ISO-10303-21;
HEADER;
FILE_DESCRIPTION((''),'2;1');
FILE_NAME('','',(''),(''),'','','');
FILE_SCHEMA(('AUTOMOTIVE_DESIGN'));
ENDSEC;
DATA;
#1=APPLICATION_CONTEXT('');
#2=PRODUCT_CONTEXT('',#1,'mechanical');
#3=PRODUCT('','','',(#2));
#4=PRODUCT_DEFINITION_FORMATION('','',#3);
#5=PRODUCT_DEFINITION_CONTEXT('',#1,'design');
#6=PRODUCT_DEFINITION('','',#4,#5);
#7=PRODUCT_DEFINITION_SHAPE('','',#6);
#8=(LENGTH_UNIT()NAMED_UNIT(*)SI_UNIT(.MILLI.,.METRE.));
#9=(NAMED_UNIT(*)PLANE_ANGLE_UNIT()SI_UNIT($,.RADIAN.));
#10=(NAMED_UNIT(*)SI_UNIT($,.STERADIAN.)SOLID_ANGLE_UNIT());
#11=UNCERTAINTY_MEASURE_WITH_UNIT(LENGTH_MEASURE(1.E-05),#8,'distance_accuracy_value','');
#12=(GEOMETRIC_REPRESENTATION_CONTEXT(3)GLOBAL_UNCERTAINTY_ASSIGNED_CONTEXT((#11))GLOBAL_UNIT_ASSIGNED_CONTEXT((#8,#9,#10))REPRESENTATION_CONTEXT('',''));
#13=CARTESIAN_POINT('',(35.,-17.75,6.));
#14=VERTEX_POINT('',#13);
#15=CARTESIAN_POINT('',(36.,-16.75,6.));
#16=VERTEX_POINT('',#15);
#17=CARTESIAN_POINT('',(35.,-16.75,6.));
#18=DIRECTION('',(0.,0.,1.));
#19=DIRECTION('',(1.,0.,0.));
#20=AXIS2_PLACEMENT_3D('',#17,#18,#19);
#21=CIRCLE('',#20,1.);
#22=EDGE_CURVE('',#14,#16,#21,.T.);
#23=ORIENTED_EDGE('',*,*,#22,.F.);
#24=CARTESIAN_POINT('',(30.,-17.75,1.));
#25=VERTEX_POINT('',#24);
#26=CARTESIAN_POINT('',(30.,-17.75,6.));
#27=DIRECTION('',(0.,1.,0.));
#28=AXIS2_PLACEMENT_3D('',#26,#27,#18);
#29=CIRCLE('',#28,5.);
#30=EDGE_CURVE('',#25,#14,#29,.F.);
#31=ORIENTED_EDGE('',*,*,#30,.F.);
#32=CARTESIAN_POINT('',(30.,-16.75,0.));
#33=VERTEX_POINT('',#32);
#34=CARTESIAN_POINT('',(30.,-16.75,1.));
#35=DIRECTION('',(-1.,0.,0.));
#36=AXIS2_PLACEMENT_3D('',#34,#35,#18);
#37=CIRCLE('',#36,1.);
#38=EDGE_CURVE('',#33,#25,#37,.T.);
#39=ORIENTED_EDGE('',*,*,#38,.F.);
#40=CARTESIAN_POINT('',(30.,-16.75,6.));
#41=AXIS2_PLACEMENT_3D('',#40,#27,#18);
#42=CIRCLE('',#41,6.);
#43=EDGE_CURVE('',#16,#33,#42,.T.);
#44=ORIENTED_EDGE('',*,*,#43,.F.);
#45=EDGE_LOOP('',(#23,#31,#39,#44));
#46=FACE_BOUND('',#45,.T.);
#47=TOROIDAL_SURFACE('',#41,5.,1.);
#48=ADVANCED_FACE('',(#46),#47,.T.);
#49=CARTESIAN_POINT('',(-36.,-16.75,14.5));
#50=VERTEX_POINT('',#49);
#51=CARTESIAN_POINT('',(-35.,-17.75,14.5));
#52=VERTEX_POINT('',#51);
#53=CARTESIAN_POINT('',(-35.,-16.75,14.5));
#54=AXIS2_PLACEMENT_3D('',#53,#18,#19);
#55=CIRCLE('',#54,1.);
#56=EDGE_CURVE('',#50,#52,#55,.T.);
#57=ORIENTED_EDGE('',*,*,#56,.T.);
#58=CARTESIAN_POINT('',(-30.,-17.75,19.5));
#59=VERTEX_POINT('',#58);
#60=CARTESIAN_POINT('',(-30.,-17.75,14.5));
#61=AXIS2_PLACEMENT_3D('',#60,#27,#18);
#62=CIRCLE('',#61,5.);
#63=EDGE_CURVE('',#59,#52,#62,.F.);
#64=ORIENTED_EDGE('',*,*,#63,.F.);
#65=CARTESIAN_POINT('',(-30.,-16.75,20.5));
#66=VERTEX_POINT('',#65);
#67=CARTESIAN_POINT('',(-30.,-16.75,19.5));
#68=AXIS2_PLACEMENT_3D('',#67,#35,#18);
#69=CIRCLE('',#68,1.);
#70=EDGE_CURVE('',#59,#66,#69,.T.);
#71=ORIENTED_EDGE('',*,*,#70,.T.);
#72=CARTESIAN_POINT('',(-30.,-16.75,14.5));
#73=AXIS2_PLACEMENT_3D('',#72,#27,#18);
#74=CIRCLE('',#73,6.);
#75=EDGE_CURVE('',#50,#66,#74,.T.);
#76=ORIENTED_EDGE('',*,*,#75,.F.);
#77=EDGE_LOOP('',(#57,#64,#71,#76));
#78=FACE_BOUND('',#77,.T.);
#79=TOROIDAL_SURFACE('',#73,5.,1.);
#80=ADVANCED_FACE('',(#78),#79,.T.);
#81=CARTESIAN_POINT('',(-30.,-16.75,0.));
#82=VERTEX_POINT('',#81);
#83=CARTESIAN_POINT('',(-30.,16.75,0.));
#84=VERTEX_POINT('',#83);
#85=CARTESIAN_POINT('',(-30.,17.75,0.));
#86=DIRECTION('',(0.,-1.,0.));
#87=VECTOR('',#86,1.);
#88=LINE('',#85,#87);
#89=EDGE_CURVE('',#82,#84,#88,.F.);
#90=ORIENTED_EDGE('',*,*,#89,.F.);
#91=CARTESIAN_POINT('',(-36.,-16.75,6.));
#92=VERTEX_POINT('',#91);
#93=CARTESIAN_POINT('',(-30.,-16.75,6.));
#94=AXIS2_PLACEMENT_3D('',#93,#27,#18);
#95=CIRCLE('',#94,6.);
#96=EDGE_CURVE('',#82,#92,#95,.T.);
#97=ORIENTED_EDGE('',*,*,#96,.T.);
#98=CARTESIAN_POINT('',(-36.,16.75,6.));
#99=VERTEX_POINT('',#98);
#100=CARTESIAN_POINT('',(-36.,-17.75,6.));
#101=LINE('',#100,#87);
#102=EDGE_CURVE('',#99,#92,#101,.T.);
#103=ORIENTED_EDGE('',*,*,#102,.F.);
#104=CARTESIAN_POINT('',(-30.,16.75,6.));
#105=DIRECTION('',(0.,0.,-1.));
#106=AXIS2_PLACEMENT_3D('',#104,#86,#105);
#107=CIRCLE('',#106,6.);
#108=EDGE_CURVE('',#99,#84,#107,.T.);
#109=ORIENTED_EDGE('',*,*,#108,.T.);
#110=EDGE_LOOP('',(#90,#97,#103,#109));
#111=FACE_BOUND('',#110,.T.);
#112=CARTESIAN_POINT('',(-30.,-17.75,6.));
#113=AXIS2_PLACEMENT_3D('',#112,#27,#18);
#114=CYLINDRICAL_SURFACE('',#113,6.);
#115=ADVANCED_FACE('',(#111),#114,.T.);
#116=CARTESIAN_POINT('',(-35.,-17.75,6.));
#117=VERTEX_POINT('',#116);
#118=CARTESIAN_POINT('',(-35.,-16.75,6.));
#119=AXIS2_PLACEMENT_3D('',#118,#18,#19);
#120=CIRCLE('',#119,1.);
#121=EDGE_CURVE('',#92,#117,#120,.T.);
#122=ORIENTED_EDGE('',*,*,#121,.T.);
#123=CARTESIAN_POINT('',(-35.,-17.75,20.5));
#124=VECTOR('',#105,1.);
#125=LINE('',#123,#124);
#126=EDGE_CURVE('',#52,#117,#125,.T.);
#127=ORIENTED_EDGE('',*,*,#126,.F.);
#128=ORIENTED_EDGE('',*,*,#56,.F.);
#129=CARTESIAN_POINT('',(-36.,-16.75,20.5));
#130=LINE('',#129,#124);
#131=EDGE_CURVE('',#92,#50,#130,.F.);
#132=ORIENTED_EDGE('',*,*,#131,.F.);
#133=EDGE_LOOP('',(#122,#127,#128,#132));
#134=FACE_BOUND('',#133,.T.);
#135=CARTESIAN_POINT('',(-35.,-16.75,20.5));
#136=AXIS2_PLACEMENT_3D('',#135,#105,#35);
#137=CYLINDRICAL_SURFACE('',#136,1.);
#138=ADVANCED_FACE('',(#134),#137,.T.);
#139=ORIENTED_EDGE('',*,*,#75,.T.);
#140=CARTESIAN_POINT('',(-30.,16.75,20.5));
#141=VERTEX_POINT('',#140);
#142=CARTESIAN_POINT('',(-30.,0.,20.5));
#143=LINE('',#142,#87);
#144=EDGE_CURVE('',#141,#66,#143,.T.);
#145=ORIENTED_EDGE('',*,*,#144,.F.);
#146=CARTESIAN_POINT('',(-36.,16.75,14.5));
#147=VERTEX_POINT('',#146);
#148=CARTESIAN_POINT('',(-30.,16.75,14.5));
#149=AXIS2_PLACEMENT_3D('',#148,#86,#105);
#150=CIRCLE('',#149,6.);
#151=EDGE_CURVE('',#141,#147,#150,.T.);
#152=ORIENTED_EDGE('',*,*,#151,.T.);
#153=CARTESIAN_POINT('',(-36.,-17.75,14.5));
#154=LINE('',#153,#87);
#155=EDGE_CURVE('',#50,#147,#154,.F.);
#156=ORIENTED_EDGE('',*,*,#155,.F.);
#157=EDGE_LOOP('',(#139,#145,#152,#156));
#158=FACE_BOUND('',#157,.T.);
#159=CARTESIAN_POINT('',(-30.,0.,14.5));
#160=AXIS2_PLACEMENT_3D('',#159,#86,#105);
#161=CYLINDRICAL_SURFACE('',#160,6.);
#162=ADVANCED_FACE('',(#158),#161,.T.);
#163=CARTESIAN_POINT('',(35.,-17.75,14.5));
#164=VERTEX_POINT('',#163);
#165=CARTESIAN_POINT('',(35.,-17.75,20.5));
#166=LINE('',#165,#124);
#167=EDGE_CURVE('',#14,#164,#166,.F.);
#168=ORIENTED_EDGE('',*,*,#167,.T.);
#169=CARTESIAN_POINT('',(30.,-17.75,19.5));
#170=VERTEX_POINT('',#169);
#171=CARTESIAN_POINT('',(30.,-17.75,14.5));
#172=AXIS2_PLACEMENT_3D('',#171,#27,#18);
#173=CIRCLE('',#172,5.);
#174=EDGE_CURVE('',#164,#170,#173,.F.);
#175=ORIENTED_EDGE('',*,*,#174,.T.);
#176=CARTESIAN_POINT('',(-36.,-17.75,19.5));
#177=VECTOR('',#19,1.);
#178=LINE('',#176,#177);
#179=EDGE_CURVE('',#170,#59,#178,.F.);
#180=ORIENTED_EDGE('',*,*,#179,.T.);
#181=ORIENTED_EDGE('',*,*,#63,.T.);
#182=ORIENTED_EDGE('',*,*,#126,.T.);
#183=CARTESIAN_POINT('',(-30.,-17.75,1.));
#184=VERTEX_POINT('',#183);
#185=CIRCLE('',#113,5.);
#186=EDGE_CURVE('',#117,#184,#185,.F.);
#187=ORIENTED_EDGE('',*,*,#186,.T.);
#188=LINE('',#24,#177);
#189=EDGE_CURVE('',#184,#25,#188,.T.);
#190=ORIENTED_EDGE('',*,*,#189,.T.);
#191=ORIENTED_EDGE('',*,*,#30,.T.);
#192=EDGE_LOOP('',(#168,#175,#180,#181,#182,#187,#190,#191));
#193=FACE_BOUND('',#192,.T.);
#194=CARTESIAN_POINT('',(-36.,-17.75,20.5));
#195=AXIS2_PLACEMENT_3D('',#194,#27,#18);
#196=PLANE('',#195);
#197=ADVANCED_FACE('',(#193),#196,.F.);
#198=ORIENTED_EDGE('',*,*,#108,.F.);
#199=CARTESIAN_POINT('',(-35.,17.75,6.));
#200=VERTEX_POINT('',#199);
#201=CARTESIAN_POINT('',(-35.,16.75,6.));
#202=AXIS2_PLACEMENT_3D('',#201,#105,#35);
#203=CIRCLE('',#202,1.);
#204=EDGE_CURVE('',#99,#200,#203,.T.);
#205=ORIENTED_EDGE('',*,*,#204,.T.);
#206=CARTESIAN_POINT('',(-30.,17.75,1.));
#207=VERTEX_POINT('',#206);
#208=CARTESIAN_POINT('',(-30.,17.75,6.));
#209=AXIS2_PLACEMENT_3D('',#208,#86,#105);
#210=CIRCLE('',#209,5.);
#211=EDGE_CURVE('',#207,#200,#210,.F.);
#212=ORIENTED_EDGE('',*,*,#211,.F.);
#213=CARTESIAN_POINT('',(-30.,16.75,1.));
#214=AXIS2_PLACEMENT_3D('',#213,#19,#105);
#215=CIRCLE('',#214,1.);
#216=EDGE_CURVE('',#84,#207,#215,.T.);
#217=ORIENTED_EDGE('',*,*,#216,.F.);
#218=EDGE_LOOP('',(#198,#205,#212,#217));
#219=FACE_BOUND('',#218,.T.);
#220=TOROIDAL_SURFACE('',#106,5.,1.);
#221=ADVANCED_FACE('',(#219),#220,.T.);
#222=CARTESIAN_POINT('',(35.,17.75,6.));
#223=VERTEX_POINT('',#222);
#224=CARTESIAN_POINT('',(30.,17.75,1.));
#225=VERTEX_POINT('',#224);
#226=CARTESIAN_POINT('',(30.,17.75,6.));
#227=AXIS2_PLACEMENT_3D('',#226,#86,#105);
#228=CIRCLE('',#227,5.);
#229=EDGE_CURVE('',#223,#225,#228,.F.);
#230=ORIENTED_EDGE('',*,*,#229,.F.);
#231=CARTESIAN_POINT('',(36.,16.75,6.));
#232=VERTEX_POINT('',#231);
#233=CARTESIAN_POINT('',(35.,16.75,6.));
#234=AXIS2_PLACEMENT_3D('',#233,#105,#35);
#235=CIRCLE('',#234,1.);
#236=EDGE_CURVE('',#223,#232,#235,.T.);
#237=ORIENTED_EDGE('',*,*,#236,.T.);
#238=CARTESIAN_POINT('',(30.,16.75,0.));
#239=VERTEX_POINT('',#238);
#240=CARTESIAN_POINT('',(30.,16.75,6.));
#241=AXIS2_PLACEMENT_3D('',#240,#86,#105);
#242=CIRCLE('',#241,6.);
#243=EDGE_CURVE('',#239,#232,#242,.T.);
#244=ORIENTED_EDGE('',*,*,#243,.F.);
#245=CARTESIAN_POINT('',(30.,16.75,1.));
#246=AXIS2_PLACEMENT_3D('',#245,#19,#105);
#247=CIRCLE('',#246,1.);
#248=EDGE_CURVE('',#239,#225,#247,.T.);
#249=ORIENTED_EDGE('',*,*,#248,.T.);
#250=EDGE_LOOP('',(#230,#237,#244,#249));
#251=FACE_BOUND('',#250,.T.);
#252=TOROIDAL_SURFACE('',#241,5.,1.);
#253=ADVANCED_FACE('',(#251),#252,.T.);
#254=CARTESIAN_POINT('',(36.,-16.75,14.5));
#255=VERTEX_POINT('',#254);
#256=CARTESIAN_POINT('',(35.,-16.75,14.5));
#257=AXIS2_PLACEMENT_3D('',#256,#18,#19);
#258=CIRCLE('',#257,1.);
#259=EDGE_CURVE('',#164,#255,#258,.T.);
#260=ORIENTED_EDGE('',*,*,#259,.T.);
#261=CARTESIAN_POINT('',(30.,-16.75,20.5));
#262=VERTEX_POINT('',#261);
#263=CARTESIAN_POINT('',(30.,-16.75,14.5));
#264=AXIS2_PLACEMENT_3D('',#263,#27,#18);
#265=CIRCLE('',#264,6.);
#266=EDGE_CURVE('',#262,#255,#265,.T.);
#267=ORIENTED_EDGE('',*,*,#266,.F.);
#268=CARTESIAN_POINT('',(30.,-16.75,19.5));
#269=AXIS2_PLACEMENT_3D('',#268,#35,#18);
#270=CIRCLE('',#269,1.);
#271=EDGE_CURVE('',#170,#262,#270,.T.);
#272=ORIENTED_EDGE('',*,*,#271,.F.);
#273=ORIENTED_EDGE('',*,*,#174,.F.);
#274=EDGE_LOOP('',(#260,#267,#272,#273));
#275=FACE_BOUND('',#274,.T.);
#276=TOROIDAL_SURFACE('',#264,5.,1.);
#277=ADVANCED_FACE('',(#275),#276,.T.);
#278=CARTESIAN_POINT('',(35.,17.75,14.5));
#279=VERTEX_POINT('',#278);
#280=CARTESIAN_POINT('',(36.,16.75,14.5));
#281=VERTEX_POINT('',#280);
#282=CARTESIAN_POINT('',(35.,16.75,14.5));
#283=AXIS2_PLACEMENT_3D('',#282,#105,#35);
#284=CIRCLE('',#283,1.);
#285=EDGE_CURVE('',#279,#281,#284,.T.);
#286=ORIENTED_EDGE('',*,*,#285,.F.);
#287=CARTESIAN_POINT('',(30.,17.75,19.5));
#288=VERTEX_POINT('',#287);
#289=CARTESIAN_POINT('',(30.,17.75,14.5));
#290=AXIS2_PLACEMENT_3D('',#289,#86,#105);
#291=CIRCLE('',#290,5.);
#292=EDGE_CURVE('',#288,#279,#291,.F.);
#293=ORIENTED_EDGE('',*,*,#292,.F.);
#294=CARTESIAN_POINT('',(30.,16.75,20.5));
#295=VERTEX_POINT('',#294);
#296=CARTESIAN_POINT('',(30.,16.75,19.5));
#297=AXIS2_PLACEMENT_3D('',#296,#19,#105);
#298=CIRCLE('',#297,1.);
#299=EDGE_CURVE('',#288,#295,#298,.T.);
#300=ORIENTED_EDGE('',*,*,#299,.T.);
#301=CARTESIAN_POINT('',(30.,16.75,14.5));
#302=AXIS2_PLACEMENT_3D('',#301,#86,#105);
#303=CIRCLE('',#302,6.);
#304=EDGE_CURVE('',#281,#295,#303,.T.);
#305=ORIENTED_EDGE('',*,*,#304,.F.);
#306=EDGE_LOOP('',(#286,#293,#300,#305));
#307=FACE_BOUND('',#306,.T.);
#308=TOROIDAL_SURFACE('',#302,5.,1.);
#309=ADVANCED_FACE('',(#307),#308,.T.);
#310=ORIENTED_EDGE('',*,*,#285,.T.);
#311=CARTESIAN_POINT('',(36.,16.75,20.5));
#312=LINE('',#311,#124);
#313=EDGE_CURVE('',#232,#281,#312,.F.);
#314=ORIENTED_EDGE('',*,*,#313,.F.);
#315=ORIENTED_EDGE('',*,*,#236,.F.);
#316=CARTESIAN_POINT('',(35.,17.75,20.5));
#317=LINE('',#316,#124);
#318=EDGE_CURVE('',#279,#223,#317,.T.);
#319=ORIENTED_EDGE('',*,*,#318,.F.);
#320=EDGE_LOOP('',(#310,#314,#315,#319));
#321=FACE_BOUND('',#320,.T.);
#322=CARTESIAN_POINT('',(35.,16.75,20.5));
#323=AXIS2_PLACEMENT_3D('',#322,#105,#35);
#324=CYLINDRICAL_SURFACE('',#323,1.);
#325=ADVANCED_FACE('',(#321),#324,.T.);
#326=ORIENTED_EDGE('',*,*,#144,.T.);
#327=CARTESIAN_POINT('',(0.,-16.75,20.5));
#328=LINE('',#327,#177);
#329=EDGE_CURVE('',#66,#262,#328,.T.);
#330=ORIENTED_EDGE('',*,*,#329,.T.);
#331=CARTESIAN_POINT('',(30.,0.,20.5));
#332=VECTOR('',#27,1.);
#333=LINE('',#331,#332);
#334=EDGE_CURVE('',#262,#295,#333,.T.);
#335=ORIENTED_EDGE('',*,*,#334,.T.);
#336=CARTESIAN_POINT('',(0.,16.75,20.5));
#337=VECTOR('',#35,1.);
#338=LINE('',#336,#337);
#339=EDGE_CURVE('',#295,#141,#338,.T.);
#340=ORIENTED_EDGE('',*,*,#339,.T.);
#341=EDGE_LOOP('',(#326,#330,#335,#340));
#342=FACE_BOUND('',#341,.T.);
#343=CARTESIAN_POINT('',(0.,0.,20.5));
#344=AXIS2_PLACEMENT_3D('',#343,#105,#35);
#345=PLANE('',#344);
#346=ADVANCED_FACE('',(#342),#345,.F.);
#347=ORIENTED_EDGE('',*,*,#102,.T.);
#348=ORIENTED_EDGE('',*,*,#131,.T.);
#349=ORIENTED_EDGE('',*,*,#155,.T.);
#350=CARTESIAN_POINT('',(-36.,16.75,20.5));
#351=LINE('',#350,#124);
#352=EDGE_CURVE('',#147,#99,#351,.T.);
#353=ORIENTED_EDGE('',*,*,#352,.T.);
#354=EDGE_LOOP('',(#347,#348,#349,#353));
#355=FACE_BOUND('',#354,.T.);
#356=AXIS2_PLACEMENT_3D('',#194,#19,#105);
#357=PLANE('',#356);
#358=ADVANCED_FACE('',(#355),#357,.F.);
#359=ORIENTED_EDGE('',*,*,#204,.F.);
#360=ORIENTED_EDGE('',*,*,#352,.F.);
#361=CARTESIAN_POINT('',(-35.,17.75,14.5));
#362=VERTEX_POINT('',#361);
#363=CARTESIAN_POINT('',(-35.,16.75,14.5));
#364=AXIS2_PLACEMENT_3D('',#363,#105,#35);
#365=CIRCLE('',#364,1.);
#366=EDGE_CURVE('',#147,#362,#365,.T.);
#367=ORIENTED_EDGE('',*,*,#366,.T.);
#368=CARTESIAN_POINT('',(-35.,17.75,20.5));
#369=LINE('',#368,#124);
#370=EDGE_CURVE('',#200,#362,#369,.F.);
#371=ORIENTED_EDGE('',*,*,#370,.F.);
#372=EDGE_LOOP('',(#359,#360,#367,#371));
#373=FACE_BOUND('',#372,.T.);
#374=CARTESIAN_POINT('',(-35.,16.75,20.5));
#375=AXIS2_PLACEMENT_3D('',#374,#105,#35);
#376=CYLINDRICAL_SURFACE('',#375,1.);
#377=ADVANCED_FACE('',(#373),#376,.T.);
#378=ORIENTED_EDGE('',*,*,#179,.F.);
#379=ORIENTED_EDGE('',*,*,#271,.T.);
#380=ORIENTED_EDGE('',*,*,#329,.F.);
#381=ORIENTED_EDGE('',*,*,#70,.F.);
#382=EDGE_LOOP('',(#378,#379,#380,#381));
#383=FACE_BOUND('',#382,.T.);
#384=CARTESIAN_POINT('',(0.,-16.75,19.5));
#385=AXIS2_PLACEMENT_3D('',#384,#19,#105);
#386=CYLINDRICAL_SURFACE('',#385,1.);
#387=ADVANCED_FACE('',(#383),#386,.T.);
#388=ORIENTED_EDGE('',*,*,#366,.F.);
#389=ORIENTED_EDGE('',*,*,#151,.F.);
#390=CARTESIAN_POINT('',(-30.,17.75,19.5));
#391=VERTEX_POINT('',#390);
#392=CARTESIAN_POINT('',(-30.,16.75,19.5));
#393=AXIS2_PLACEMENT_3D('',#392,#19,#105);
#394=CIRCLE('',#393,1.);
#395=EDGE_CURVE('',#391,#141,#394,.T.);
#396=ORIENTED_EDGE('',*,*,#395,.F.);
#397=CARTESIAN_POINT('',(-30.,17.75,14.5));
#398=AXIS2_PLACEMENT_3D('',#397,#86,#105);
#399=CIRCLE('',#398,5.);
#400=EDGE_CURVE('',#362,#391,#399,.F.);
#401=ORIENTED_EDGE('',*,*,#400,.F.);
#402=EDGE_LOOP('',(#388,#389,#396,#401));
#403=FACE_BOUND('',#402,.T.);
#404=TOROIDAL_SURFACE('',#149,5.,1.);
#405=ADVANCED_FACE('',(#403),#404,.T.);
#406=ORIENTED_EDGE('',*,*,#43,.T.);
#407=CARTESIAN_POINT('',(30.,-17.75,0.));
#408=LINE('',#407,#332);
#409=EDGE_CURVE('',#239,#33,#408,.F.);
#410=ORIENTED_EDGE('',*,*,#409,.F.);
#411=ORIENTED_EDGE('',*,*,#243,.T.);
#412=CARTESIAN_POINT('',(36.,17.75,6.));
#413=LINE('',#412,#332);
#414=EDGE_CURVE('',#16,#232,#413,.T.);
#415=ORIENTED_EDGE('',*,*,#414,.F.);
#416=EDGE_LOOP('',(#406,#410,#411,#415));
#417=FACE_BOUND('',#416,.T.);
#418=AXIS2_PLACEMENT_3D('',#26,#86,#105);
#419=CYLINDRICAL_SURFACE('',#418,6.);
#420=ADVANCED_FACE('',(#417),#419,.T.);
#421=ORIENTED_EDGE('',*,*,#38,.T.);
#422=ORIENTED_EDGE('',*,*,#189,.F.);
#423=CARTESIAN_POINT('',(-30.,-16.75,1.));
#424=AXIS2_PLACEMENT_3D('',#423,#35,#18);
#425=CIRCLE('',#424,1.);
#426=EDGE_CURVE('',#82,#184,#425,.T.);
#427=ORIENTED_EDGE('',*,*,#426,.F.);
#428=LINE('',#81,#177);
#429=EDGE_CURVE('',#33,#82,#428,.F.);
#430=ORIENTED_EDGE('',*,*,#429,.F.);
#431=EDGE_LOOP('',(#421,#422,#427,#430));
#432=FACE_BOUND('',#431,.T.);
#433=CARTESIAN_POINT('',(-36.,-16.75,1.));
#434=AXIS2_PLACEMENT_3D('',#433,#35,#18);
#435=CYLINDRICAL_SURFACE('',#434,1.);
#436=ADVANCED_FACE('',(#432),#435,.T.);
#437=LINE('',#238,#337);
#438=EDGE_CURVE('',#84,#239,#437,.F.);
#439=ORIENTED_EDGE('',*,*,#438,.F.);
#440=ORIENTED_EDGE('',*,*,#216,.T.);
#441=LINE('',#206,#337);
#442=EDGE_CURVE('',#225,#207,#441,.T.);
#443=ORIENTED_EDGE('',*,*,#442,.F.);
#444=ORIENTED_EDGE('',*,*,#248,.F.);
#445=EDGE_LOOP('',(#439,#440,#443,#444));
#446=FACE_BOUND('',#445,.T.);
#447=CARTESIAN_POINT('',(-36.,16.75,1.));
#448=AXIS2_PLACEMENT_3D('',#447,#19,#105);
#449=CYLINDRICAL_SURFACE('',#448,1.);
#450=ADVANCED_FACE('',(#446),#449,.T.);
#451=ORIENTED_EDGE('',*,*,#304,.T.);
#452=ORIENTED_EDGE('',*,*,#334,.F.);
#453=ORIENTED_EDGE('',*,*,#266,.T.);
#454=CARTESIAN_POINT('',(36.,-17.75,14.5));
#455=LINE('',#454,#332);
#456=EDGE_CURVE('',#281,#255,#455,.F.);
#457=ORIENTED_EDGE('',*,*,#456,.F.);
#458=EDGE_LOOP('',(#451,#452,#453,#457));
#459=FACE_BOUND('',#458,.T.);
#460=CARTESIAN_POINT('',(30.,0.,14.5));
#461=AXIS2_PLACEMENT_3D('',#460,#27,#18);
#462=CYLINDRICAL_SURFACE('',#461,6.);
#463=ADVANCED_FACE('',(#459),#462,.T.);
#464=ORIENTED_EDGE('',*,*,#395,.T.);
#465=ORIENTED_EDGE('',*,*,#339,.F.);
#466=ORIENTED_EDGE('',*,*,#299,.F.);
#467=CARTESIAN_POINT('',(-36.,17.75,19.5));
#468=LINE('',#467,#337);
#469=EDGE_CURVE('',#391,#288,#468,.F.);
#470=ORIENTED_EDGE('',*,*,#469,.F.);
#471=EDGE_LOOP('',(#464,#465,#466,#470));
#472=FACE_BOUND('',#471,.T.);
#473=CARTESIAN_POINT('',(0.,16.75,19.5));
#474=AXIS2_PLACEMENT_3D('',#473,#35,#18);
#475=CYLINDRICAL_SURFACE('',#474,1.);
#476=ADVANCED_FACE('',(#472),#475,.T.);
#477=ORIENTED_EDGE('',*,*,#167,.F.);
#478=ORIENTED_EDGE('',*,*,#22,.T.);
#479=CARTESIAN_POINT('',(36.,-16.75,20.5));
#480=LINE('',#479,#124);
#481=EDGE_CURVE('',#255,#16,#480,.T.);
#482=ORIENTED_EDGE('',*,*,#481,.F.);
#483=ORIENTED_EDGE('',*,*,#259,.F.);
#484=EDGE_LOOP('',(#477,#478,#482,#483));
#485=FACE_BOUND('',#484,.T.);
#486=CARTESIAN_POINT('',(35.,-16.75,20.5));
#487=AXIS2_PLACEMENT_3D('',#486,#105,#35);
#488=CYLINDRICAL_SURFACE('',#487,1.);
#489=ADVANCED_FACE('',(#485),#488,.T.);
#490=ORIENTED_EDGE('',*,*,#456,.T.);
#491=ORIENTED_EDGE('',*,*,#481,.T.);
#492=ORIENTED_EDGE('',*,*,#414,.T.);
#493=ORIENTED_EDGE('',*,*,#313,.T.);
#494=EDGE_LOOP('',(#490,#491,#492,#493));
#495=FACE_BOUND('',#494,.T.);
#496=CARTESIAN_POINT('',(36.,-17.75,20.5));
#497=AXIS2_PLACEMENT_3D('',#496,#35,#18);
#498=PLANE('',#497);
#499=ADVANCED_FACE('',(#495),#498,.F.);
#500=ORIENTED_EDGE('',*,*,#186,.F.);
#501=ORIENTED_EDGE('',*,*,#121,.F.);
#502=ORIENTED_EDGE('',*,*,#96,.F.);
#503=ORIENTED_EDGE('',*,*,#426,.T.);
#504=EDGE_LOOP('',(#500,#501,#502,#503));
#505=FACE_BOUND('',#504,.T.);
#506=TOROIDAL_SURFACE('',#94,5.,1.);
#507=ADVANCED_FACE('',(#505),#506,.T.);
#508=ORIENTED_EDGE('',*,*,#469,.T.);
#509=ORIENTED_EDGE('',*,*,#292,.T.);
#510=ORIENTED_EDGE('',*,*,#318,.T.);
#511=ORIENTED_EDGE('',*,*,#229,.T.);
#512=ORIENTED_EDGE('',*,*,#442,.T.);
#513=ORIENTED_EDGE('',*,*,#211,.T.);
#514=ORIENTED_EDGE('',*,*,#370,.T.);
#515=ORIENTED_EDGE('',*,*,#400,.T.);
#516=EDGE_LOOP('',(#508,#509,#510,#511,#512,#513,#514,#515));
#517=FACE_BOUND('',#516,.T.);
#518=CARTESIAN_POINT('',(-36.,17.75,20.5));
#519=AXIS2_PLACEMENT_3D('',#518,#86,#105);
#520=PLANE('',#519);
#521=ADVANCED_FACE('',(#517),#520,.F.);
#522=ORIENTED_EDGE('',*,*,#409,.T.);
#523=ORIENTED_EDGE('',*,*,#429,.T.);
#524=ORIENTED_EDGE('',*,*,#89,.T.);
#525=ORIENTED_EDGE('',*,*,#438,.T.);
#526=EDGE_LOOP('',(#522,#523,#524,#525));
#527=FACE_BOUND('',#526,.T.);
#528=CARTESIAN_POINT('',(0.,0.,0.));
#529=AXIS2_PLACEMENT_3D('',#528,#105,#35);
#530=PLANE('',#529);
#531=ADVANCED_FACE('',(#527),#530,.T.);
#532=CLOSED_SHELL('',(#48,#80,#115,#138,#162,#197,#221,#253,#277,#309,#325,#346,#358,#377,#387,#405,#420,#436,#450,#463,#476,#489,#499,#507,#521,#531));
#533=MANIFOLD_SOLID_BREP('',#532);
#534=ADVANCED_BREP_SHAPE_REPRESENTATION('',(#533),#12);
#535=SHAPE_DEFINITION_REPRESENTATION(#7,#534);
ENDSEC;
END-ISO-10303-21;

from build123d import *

# Parameters (mm, degrees)
SKETCH_1_W      = 72
SKETCH_1_H      = 35.5
EXTRUDE_1_DEPTH = 20.5
FILLET_1_R      = 6
FILLET_2_R      = 1


with BuildPart() as part:
    # 草图1 → 凸台-拉伸1 (new body)
    with BuildSketch(Plane.XY):
        Rectangle(SKETCH_1_W, SKETCH_1_H)
    extrude(amount=EXTRUDE_1_DEPTH)

    # 圆角1
    fillet_1_edges = [part.edges().sort_by_distance(p)[0] for p in [
        (-36, 0, 20.5),
        (36, 0, 20.5),
        (-36, 0, 0),
        (36, 0, 0),
    ]]
    fillet(fillet_1_edges, radius=FILLET_1_R)

    # 圆角2
    fillet_2_edges = [part.edges().sort_by_distance(p)[0] for p in [
        (-36, -17.75, 10.25),
        (-36, 17.75, 10.25),
        (0, -17.75, 0),
        (36, -17.75, 10.25),
        (0, -17.75, 20.5),
        (34.242640687, -17.75, 18.742640687),
        (34.242640687, -17.75, 1.757359313),
        (-34.242640687, -17.75, 18.742640687),
        (-34.242640687, -17.75, 1.757359313),
        (0, 17.75, 0),
        (0, 17.75, 20.5),
        (36, 17.75, 10.25),
        (34.242640687, 17.75, 18.742640687),
        (34.242640687, 17.75, 1.757359313),
        (-34.242640687, 17.75, 18.742640687),
        (-34.242640687, 17.75, 1.757359313),
    ]]
    fillet(fillet_2_edges, radius=FILLET_2_R)


solid = part.part
